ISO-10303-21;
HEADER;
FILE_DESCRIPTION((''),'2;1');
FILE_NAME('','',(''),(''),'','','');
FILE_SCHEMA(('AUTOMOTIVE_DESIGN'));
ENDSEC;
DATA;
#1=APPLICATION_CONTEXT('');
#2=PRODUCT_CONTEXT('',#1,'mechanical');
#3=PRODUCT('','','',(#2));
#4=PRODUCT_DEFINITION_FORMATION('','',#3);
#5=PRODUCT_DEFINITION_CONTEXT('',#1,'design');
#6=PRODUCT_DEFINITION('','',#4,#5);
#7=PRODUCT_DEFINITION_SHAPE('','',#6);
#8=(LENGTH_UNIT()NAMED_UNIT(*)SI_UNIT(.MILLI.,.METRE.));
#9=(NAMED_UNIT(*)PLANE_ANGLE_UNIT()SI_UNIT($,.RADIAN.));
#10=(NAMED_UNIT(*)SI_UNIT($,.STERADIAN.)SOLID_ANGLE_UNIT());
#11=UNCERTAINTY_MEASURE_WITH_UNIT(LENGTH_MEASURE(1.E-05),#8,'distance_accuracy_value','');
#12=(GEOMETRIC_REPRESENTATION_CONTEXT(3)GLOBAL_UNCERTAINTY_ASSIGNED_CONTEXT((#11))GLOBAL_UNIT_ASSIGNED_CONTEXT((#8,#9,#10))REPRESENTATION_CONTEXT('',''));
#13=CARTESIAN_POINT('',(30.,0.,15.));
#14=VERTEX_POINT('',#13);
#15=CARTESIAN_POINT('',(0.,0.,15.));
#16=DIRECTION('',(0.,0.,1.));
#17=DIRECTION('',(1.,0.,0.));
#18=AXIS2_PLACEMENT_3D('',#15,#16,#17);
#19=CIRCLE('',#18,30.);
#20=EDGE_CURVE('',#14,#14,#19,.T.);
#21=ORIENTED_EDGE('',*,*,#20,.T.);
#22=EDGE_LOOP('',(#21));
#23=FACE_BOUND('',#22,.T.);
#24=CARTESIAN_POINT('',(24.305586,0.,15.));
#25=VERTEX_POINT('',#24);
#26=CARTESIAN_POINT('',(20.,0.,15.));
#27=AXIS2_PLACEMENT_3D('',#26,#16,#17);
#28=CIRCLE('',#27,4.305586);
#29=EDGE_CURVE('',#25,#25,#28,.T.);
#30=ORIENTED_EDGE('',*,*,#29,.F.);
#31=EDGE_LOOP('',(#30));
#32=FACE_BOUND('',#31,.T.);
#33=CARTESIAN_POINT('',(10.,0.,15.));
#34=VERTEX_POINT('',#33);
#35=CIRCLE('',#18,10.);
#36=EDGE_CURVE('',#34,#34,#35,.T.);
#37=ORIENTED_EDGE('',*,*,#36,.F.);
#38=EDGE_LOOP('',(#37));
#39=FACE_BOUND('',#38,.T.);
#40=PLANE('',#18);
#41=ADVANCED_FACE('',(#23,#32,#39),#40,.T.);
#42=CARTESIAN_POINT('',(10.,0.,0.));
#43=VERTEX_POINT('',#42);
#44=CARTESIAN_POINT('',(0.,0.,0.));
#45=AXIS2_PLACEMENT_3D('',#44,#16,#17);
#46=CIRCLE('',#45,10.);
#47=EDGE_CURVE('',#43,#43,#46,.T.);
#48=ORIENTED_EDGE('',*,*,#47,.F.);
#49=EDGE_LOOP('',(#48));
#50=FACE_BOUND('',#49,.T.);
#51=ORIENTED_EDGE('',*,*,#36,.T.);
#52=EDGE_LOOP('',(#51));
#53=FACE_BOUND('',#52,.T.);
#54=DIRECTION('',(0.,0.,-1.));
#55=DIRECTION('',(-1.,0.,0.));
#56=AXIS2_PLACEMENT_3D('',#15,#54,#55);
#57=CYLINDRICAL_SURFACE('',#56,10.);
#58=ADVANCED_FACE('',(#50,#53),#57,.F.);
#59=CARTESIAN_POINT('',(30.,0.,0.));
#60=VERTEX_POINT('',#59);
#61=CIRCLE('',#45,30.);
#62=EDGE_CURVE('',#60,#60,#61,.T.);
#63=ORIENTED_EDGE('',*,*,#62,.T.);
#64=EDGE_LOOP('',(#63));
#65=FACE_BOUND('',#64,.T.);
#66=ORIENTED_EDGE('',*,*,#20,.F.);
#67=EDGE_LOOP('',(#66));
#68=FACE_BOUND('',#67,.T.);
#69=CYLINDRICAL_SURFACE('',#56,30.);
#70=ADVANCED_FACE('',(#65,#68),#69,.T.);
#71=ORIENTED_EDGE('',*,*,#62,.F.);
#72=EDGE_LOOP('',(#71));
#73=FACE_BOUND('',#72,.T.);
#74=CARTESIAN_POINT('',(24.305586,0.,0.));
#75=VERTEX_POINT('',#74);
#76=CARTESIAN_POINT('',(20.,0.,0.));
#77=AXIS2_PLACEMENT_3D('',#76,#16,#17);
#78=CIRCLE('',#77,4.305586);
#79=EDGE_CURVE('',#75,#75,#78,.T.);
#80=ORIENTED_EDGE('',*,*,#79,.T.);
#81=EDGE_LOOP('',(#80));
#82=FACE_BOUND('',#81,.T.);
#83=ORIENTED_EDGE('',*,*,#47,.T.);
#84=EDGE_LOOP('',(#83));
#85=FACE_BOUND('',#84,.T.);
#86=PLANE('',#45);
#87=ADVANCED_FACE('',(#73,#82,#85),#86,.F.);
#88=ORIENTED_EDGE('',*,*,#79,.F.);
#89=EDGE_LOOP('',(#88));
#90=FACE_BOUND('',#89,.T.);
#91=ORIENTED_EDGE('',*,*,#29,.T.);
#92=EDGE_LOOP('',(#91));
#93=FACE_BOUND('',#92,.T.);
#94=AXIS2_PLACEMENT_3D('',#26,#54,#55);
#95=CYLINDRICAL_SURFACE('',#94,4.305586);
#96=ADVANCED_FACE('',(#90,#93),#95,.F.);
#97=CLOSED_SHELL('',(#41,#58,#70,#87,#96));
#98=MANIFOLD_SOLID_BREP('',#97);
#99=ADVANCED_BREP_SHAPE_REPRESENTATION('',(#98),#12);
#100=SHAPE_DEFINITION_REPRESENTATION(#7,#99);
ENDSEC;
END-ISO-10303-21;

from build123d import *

# Parameters (mm, degrees)
SKETCH1_R           = 30
SKETCH1_R_2         = 4.305586378
SKETCH1_R_3         = 10
BOSS_EXTRUDE1_DEPTH = 15


with BuildPart() as part:
    # Sketch1 → Boss-Extrude1 (new body)
    with BuildSketch(Plane.XY):
        Circle(SKETCH1_R)
        with Locations((20, 0)):
            Circle(SKETCH1_R_2, mode=Mode.SUBTRACT)
        Circle(SKETCH1_R_3, mode=Mode.SUBTRACT)
    extrude(amount=BOSS_EXTRUDE1_DEPTH)


solid = part.part
